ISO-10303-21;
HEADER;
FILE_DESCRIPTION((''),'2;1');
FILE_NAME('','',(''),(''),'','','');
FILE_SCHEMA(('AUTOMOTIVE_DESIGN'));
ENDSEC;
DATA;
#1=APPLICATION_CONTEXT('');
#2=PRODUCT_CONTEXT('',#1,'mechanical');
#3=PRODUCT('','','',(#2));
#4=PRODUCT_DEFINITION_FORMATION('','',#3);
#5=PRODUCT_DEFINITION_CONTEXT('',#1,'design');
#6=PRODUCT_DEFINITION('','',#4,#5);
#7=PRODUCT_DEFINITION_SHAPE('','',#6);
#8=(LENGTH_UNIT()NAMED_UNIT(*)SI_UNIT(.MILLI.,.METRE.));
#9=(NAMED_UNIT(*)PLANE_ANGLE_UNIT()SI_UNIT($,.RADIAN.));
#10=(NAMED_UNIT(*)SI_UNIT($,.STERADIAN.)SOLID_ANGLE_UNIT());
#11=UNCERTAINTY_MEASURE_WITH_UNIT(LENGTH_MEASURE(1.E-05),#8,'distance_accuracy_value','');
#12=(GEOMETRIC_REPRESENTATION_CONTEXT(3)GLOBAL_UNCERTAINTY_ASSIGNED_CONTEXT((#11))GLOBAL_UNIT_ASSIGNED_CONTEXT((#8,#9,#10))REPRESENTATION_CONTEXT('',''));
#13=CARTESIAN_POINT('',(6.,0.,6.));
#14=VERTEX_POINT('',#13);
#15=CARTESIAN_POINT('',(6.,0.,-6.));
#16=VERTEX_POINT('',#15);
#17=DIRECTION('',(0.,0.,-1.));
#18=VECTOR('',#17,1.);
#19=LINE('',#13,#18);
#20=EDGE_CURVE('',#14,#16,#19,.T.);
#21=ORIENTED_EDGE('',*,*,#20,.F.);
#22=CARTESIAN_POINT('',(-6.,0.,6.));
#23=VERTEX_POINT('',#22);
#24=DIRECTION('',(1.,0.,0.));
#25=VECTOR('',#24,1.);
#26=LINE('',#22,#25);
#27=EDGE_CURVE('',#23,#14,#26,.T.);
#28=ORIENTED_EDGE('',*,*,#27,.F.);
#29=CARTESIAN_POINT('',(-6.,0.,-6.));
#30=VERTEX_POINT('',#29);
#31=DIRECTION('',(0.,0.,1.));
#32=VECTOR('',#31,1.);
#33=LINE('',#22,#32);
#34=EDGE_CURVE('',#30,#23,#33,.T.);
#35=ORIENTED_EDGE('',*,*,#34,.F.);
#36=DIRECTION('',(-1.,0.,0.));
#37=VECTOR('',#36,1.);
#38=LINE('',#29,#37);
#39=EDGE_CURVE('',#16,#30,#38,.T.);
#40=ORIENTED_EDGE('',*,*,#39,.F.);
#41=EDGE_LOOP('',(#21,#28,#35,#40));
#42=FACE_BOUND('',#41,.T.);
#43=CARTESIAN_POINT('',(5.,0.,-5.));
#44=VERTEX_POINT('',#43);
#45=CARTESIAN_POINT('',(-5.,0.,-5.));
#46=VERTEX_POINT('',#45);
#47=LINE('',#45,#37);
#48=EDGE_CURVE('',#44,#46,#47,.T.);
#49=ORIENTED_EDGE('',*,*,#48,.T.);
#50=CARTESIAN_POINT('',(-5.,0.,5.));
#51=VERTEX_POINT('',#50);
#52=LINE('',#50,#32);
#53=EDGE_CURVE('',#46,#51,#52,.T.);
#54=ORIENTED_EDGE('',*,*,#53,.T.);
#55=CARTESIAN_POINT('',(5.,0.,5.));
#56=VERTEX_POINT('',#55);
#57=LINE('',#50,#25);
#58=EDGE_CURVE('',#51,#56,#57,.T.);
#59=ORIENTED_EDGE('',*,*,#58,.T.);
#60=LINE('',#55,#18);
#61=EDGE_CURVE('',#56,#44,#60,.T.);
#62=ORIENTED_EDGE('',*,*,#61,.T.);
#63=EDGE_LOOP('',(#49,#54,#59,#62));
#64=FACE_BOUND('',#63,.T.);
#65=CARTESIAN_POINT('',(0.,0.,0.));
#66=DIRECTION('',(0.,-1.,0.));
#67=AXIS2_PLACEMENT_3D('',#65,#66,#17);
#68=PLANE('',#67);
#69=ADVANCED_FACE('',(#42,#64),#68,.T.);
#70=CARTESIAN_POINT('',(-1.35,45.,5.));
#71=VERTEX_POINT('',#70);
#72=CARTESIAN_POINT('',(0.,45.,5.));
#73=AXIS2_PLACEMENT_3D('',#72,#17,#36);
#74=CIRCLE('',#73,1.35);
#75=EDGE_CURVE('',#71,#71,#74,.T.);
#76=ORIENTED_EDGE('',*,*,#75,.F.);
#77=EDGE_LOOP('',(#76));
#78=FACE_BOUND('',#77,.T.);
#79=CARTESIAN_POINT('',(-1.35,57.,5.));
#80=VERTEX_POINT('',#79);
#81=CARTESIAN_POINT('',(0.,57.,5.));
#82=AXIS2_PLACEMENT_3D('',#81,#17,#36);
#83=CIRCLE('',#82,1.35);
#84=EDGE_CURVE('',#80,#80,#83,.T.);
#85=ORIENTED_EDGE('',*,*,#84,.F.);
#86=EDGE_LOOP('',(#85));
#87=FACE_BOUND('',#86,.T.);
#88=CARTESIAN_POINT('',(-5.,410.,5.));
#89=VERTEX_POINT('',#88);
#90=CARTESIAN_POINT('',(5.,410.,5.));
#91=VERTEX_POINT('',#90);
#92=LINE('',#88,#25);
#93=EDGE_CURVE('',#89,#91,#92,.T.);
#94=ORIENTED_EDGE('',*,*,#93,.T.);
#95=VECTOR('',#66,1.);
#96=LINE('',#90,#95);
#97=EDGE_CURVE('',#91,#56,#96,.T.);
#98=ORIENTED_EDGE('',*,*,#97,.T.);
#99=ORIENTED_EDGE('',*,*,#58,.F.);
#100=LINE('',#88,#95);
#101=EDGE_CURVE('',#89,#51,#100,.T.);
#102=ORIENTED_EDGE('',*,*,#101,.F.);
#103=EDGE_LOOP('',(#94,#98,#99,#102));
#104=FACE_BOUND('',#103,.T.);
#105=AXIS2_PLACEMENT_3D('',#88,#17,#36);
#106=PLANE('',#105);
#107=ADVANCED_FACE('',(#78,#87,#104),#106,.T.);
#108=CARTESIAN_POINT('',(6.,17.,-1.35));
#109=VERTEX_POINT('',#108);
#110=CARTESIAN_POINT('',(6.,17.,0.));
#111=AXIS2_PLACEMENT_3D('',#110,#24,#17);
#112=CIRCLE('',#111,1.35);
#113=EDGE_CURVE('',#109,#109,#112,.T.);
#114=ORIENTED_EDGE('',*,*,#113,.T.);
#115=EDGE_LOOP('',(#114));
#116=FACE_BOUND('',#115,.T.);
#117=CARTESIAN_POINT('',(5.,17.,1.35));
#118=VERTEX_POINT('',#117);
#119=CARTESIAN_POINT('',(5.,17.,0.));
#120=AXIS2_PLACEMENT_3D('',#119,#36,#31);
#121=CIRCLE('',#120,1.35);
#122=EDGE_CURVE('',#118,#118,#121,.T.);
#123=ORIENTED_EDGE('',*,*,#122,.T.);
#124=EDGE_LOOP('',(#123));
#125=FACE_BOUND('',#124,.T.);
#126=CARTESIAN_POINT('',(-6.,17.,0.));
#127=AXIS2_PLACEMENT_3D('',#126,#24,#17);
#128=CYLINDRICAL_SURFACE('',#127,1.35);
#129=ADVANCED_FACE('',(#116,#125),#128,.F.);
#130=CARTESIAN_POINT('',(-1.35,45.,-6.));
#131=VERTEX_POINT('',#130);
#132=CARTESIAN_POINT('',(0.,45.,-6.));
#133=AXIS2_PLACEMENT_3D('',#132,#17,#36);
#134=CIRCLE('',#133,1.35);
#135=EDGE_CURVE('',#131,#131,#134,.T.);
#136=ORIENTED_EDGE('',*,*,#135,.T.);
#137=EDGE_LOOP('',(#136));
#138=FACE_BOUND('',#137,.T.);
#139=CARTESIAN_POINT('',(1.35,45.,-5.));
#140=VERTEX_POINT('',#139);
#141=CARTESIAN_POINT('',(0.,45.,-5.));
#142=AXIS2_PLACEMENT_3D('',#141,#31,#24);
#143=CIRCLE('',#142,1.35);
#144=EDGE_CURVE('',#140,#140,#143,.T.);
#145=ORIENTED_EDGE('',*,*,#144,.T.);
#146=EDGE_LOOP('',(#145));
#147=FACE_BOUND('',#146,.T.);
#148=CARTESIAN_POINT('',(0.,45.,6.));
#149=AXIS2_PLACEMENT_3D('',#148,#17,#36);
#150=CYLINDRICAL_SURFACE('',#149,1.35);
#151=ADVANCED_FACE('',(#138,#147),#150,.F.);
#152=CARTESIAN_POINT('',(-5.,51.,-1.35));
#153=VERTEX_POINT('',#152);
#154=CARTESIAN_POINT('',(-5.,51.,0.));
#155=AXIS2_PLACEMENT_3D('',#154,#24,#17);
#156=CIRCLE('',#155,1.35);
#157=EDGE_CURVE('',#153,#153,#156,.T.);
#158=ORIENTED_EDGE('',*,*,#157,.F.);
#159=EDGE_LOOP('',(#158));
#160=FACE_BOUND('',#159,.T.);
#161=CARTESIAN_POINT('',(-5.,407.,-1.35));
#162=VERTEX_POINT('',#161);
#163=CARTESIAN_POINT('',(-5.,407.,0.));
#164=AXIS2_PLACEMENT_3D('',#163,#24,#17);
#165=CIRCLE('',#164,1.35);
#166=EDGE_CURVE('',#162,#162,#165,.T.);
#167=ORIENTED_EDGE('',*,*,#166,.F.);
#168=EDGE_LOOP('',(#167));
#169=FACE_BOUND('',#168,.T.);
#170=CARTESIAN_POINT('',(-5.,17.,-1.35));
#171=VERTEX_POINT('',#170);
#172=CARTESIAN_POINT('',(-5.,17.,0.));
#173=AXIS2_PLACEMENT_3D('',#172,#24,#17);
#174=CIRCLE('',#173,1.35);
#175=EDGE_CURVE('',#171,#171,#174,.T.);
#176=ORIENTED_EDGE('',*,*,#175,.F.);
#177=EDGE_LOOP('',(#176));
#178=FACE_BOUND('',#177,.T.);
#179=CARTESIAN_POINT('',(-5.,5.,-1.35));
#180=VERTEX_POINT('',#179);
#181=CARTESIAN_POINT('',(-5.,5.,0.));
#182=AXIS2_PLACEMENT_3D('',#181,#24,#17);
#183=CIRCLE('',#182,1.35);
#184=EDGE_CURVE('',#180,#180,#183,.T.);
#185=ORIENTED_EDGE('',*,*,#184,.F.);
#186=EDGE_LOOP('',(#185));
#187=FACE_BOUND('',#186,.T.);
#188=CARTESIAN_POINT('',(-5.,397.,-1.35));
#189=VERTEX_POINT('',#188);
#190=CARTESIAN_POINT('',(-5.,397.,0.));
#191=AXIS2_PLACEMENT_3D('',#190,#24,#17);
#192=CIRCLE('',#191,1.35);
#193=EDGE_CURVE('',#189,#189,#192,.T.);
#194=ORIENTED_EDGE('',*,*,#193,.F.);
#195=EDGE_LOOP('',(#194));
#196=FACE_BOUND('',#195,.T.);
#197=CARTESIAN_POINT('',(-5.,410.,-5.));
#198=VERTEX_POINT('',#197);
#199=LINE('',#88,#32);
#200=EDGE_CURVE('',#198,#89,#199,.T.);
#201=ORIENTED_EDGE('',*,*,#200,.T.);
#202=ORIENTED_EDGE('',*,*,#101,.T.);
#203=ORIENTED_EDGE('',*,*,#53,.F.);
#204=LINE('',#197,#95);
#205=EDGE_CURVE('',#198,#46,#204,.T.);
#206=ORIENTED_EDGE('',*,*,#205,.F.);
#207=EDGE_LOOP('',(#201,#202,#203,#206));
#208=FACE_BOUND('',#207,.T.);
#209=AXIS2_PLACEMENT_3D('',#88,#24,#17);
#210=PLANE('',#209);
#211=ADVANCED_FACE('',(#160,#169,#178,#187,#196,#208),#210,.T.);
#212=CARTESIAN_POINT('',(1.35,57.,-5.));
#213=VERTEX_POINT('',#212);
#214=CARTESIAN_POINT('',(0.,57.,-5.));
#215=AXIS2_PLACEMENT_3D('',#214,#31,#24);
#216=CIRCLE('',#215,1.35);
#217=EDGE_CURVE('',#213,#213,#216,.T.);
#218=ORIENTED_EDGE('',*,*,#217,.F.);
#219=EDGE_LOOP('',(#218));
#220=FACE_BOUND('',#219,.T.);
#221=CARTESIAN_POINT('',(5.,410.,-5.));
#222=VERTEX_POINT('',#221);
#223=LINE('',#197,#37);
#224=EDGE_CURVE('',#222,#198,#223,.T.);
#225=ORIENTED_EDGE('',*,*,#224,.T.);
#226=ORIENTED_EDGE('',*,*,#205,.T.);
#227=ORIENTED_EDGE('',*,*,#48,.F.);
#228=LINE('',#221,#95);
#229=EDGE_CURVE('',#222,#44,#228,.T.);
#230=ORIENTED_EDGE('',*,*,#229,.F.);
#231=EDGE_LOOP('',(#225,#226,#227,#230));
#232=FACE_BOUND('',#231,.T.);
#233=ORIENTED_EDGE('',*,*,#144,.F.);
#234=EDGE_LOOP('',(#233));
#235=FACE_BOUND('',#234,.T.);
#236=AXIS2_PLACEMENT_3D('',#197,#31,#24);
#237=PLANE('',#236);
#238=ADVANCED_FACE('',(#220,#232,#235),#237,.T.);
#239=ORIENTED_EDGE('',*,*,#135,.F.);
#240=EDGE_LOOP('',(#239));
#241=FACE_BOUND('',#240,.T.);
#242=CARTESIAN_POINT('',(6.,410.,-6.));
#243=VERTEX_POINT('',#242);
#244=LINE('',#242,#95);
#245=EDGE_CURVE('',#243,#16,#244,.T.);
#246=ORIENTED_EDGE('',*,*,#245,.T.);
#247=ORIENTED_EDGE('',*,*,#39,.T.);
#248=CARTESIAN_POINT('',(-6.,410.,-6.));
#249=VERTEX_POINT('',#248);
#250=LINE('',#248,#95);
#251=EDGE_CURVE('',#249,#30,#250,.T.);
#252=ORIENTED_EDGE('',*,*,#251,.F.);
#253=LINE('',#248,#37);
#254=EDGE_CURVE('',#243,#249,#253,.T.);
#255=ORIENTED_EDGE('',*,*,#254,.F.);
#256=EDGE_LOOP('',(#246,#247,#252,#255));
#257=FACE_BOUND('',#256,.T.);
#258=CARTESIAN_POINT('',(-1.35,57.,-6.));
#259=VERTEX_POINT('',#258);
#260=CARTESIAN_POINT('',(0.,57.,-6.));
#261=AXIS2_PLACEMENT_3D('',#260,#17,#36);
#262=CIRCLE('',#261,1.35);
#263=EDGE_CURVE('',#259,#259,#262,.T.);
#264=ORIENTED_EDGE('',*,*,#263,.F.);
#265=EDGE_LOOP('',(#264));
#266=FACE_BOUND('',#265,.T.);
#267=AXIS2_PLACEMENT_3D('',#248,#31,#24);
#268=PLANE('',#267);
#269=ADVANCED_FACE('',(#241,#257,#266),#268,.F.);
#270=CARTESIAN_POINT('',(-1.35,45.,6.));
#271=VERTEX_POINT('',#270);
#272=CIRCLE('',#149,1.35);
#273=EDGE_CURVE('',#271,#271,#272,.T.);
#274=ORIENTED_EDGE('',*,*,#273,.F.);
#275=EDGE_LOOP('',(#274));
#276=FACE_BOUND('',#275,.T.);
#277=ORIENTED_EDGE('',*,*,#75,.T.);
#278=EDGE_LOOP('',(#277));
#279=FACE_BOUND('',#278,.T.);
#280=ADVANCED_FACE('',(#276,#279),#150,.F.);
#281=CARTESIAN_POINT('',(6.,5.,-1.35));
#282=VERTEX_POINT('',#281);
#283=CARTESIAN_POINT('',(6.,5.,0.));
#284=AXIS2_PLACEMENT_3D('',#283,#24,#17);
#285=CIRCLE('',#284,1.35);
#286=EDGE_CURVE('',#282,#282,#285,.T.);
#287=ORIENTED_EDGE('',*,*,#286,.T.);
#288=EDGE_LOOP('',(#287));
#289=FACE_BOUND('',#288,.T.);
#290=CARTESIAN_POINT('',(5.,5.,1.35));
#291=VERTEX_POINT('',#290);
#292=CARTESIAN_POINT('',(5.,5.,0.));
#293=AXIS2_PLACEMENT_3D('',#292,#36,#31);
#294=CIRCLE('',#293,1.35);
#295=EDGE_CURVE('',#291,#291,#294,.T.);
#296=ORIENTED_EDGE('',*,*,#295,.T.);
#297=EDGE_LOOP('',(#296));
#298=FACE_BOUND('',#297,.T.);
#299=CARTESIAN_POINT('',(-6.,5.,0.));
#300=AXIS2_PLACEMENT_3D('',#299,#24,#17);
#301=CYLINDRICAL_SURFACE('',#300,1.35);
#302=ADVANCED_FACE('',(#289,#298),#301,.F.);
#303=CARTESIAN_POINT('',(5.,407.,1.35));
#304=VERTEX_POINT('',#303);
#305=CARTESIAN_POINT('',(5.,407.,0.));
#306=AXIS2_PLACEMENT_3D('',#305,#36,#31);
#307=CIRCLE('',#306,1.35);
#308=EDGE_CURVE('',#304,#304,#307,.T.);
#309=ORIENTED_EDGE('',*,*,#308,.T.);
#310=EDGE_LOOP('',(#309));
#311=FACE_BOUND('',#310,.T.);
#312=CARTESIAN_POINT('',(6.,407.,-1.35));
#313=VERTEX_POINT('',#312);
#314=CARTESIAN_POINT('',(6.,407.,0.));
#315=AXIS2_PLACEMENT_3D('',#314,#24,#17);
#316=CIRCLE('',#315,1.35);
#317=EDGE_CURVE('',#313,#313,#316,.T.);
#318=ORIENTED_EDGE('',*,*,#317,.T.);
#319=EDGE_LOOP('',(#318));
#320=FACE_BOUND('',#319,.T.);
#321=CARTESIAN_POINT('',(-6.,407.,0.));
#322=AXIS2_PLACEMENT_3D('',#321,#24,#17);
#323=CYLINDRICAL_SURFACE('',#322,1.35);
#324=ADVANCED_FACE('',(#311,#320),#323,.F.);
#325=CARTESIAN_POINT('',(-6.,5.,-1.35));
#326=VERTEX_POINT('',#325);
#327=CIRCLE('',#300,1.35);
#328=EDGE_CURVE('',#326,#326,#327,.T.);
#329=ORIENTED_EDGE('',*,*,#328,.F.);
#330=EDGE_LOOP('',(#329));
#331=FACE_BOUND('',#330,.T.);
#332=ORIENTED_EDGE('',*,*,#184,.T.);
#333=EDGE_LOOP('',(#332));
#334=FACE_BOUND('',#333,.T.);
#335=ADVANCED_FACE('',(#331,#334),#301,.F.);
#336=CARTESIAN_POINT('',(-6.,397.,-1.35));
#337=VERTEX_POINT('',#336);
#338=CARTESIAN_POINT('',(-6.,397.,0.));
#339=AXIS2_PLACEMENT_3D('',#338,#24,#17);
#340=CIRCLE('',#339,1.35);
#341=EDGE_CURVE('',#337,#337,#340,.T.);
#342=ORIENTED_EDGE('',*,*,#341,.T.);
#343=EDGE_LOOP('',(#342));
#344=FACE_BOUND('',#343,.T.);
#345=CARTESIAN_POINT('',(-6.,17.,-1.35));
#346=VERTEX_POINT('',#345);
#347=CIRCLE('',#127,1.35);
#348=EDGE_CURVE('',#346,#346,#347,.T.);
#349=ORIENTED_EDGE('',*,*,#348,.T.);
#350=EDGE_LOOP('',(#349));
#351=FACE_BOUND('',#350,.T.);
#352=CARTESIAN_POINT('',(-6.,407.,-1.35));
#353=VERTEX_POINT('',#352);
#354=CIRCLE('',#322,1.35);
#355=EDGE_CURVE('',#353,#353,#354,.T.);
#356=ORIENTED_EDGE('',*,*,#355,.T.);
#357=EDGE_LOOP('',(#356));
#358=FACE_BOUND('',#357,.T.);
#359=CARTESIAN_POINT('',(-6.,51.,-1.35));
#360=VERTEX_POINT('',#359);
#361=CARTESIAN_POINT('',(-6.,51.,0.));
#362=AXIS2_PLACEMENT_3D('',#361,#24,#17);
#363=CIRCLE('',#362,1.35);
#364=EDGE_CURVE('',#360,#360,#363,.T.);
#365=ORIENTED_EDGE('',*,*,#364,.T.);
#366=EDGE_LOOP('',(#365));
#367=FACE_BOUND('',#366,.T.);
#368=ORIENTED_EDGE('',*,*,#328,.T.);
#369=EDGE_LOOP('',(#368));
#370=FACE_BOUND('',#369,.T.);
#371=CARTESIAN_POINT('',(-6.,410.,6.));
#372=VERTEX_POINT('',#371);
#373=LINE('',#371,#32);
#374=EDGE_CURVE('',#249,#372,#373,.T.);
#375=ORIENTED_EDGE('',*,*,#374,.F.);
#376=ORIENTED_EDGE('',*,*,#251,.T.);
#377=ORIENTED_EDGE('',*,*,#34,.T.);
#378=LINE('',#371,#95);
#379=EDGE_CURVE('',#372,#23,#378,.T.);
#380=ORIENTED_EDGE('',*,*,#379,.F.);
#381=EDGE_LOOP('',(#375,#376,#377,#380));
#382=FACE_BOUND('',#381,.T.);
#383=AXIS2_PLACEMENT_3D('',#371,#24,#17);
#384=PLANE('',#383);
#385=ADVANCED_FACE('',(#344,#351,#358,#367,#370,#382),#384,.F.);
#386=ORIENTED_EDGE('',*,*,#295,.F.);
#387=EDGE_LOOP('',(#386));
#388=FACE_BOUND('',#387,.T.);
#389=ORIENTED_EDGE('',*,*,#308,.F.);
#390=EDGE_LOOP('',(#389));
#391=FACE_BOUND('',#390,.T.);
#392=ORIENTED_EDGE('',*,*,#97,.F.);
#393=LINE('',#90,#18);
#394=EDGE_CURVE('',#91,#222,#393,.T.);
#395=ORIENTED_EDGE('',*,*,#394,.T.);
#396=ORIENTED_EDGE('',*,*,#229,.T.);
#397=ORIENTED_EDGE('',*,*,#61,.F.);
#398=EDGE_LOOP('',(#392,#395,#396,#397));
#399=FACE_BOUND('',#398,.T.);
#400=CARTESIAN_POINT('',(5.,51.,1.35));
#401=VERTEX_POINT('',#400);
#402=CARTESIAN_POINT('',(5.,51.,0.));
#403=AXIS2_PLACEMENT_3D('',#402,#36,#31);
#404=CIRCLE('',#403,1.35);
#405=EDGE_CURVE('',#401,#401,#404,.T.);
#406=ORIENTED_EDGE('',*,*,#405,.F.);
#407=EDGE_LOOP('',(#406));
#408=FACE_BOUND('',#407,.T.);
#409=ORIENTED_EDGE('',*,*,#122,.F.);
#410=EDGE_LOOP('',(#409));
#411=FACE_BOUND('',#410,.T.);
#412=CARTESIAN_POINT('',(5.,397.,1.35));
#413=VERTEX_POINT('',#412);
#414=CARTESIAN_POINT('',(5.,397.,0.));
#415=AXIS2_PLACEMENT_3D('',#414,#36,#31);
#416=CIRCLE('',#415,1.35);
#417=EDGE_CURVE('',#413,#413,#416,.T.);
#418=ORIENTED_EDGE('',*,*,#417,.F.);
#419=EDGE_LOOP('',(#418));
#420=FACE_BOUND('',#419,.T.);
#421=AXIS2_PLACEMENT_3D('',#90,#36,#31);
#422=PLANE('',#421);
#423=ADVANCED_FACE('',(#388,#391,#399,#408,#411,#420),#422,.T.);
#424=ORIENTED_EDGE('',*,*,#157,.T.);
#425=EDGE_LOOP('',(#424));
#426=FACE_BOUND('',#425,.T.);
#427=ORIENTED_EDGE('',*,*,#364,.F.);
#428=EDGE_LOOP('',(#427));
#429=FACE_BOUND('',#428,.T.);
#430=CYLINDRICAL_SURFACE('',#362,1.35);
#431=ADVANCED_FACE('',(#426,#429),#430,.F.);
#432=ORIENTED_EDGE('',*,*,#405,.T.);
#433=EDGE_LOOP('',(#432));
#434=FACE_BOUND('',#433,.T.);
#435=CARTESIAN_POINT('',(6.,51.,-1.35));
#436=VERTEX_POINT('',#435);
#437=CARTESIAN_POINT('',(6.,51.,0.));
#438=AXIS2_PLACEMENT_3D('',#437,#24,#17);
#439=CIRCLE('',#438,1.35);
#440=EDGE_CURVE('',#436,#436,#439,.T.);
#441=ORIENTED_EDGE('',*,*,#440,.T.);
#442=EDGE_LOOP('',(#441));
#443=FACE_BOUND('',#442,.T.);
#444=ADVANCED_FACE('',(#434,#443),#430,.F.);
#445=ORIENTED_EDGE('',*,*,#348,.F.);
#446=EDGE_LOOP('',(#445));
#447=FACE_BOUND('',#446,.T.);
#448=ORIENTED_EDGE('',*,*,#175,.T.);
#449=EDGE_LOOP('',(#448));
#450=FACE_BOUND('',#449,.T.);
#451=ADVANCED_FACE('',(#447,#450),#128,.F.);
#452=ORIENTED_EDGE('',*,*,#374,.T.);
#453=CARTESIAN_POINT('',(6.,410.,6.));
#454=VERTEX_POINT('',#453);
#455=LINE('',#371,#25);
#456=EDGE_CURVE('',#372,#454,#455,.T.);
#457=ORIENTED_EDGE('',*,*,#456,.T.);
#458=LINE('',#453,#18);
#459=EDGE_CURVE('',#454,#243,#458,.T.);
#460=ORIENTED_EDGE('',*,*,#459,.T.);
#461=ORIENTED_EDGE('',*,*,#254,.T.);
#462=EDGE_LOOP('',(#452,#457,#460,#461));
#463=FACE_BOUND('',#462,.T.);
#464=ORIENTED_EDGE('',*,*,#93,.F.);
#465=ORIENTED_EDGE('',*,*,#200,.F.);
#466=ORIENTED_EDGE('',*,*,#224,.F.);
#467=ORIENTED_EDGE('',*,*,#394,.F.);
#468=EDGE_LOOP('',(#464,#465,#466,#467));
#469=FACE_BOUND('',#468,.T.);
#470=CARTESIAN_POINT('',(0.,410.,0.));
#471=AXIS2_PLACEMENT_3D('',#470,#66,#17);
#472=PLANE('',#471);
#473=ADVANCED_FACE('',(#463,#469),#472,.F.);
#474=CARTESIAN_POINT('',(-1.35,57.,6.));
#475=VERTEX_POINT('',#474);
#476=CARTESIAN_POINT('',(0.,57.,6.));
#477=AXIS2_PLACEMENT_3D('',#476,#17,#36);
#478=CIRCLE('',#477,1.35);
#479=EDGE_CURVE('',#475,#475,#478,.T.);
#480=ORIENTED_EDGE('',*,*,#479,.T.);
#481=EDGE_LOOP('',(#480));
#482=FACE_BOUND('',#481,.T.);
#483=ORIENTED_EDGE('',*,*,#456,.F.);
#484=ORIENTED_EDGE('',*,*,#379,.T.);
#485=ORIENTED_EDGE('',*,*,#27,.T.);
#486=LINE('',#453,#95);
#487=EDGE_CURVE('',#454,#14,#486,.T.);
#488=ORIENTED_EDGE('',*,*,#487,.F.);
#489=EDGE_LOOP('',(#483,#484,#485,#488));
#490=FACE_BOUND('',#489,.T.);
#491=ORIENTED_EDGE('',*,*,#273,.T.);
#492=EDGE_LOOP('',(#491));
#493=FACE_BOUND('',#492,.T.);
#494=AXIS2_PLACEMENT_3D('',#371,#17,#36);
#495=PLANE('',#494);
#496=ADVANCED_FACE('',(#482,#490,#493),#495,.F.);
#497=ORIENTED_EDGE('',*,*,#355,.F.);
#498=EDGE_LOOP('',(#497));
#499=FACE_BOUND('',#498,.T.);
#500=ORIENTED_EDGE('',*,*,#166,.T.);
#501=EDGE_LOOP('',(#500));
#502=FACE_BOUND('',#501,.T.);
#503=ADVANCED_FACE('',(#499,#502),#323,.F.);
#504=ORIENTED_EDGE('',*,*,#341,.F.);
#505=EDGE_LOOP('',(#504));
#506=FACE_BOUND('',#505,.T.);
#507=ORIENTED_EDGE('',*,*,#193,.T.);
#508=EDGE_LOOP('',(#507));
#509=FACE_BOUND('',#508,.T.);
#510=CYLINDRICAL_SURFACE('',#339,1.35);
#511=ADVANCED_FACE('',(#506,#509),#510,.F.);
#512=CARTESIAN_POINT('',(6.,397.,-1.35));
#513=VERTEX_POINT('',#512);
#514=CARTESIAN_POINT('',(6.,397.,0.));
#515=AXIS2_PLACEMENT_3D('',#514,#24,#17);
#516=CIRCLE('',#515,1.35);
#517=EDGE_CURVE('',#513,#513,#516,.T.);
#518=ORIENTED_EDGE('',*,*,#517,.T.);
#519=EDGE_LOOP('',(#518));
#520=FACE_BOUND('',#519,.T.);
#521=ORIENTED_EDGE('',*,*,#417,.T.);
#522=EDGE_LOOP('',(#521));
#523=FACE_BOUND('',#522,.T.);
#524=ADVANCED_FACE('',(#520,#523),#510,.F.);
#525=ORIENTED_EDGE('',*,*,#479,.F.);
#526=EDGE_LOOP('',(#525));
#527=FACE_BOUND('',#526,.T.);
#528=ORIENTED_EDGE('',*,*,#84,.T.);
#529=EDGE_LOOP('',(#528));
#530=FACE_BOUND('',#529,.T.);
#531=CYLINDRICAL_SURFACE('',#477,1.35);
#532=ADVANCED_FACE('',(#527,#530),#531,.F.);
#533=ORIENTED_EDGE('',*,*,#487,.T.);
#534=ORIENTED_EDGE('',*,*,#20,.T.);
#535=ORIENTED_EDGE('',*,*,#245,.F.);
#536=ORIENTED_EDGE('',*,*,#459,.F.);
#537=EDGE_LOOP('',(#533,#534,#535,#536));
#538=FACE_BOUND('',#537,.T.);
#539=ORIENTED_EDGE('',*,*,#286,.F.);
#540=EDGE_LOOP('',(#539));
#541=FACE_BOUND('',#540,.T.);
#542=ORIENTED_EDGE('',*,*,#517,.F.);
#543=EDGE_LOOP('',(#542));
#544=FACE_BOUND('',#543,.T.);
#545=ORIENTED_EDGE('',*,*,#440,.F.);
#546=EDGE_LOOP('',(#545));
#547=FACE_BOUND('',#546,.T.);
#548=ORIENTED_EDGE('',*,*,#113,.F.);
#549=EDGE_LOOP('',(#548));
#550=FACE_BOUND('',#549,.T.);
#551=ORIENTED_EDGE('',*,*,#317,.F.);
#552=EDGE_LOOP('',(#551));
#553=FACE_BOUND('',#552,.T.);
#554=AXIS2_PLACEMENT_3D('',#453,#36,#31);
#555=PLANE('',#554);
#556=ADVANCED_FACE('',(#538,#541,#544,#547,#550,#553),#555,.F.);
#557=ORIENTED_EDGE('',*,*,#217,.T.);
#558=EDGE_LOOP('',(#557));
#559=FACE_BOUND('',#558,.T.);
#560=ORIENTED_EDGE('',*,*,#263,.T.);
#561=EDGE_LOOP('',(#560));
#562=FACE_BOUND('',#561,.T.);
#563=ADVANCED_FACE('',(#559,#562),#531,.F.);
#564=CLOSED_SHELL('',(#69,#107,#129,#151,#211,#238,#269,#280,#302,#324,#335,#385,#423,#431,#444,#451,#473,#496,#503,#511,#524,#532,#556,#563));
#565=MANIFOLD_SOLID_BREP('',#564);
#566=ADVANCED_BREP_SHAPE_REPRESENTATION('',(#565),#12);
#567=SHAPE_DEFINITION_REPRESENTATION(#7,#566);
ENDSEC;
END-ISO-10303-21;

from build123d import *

# Parameters (mm, degrees)
SKETCH_1_W          = 12
SKETCH_1_H          = 12
SKETCH_1_W_2        = 10
SKETCH_1_H_2        = 10
EXTRUDE_1_DEPTH     = 410
SKETCH_2_R          = 1.35
CUT_EXTRUDE_1_DEPTH = 411.219453464
SKETCH_3_R          = 1.35
CUT_EXTRUDE_2_DEPTH = 411.219453464
SKETCH_4_R          = 1.35
CUT_EXTRUDE_3_DEPTH = 411.219453464


with BuildPart() as part:
    # 草图1 → 凸台-拉伸1 (new body)
    with BuildSketch(Plane(origin=(0, 0, 0), x_dir=(1, 0, 0), z_dir=(0, 1, 0))):
        Rectangle(SKETCH_1_W, SKETCH_1_H)
        Rectangle(SKETCH_1_W_2, SKETCH_1_H_2, mode=Mode.SUBTRACT)
    extrude(amount=EXTRUDE_1_DEPTH)

    # 草图2 → 切除-拉伸1 (cut, through all)
    with BuildSketch(Plane(origin=(6, 0, 0), x_dir=(0, 0, -1), z_dir=(1, 0, 0))):
        with Locations((0, 5)):
            Circle(SKETCH_2_R)
        with Locations((0, 17)):
            Circle(SKETCH_2_R)
        with Locations((0, 51)):
            Circle(SKETCH_2_R)
    extrude(amount=-CUT_EXTRUDE_1_DEPTH, mode=Mode.SUBTRACT)

    # 草图3 → 切除-拉伸2 (cut, through all)
    with BuildSketch(Plane(origin=(6, 0, 0), x_dir=(0, 0, -1), z_dir=(1, 0, 0))):
        with Locations((0, 407)):
            Circle(SKETCH_3_R)
        with Locations((0, 397)):
            Circle(SKETCH_3_R)
    extrude(amount=-CUT_EXTRUDE_2_DEPTH, mode=Mode.SUBTRACT)

    # 草图4 → 切除-拉伸3 (cut, through all)
    with BuildSketch(Plane(origin=(0, 0, -6), x_dir=(-1, 0, 0), z_dir=(0, 0, -1))):
        with Locations((0, 45)):
            Circle(SKETCH_4_R)
        with Locations((0, 57)):
            Circle(SKETCH_4_R)
    extrude(amount=-CUT_EXTRUDE_3_DEPTH, mode=Mode.SUBTRACT)


solid = part.part
